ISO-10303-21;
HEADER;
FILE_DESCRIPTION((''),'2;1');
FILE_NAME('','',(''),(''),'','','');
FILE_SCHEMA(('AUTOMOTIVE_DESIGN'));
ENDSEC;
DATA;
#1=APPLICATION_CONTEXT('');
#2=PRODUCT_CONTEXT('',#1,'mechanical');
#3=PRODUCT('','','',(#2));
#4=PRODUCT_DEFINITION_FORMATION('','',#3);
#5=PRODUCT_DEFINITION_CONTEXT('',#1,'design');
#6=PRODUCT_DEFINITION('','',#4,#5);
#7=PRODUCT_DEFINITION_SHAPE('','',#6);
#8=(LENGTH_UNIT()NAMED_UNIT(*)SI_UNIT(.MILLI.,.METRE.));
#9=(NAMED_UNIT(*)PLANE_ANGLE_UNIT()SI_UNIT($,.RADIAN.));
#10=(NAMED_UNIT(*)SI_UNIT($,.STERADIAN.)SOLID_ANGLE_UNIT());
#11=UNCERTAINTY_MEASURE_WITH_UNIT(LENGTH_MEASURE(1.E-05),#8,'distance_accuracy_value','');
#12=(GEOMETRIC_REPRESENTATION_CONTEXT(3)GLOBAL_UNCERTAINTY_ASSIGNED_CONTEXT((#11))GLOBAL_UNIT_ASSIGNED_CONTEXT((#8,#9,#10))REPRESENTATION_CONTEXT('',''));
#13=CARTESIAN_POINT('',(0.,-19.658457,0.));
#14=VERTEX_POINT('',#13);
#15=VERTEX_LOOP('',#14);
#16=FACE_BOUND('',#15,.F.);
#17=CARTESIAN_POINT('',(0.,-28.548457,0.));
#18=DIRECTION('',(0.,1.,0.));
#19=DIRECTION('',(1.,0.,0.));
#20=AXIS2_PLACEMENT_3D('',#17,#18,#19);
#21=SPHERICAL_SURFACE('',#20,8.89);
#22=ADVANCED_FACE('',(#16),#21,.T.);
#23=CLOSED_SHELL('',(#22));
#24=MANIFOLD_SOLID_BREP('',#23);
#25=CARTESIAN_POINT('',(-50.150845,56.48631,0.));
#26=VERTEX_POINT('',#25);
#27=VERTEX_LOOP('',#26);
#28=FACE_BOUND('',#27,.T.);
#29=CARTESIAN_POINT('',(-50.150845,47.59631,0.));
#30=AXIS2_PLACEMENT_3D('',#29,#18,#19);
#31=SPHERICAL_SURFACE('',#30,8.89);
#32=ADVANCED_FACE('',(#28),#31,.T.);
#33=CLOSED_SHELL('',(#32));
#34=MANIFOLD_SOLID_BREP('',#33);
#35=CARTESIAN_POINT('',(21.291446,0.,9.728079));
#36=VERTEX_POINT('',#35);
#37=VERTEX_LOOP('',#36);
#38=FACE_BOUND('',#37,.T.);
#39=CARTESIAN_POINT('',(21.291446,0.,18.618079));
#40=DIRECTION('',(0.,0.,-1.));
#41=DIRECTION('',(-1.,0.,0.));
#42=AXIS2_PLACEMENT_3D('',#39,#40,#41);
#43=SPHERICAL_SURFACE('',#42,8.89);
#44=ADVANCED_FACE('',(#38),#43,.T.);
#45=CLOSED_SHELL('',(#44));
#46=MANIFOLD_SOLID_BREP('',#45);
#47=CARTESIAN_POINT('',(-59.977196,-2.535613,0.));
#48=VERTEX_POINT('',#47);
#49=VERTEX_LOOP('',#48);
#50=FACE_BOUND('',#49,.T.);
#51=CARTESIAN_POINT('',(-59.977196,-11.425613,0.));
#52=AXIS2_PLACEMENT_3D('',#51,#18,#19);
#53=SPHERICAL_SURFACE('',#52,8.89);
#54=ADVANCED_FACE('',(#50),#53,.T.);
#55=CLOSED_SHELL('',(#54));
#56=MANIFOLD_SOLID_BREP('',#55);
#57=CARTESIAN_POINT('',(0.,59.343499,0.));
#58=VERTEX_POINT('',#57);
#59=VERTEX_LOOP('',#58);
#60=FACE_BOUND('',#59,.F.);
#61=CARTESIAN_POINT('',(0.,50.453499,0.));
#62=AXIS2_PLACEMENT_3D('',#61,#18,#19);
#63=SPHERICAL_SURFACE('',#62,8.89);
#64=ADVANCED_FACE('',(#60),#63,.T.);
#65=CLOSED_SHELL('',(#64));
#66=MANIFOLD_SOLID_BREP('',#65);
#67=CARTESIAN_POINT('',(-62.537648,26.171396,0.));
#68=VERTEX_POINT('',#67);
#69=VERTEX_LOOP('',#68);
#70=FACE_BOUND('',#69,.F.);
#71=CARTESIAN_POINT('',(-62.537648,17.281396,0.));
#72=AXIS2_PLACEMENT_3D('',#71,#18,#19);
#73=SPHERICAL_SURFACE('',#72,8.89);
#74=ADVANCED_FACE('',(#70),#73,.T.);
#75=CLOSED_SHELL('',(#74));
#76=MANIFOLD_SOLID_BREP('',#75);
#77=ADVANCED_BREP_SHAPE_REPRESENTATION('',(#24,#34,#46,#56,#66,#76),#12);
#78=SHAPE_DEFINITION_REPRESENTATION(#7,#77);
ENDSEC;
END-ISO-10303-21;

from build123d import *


with BuildPart() as f1:
    # F0 (on Front) → F1 (revolve)
    with BuildSketch(Plane.XZ):
        with BuildLine():
            Line((21.291446, 18.618079), (21.291446, 27.508079))
            ThreePointArc((21.291446, 27.508079), (12.401446, 18.618079), (21.291446, 9.728079))
            Line((21.291446, 9.728079), (21.291446, 18.618079))
        make_face()
    revolve(axis=Axis((21.291446, 0, 17.190892), (0, 0, -1)))


with BuildPart() as f3:
    # F2 (on Top) → F3 (revolve)
    with BuildSketch(Plane.XY):
        with BuildLine():
            Line((-50.150845, 47.59631), (-50.150845, 38.70631))
            ThreePointArc((-50.150845, 38.70631), (-41.260845, 47.59631), (-50.150845, 56.48631))
            Line((-50.150845, 56.48631), (-50.150845, 47.59631))
        make_face()
    revolve(axis=Axis((-50.150845, 47.59631, 0), (0, 1, 0)))


with BuildPart() as f5:
    # F4 (on Top) → F5 (revolve)
    with BuildSketch(Plane.XY):
        with BuildLine():
            Line((-62.537648, 17.281396), (-62.537648, 8.391396))
            ThreePointArc((-62.537648, 8.391396), (-53.647648, 17.281396), (-62.537648, 26.171396))
            Line((-62.537648, 26.171396), (-62.537648, 17.281396))
        make_face()
    revolve(axis=Axis((-62.537648, 12.836396, 0), (0, -1, 0)))


with BuildPart() as f7:
    # F6 (on Top) → F7 (revolve)
    with BuildSketch(Plane.XY):
        with BuildLine():
            Line((-59.977196, -11.425613), (-59.977196, -20.315613))
            ThreePointArc((-59.977196, -20.315613), (-51.087196, -11.425613), (-59.977196, -2.535613))
            Line((-59.977196, -2.535613), (-59.977196, -11.425613))
        make_face()
    revolve(axis=Axis((-59.977196, -11.425613, 0), (0, 1, 0)))


with BuildPart() as f9:
    # F8 (on Top) → F9 (revolve)
    with BuildSketch(Plane.XY):
        with BuildLine():
            Line((0, 59.343499), (0, 41.563499))
            ThreePointArc((0, 41.563499), (8.89, 50.453499), (0, 59.343499))
        make_face()
    revolve(axis=Axis((0, 50.453499, 0), (0, -1, 0)))


with BuildPart() as f11:
    # F10 (on Top) → F11 (revolve)
    with BuildSketch(Plane.XY):
        with BuildLine():
            Line((0, -19.658457), (0, -37.438457))
            ThreePointArc((0, -37.438457), (8.89, -28.548457), (0, -19.658457))
        make_face()
    revolve(axis=Axis((0, -28.548457, 0), (0, -1, 0)))


solid = Compound([f1.part, f3.part, f5.part, f7.part, f9.part, f11.part])
